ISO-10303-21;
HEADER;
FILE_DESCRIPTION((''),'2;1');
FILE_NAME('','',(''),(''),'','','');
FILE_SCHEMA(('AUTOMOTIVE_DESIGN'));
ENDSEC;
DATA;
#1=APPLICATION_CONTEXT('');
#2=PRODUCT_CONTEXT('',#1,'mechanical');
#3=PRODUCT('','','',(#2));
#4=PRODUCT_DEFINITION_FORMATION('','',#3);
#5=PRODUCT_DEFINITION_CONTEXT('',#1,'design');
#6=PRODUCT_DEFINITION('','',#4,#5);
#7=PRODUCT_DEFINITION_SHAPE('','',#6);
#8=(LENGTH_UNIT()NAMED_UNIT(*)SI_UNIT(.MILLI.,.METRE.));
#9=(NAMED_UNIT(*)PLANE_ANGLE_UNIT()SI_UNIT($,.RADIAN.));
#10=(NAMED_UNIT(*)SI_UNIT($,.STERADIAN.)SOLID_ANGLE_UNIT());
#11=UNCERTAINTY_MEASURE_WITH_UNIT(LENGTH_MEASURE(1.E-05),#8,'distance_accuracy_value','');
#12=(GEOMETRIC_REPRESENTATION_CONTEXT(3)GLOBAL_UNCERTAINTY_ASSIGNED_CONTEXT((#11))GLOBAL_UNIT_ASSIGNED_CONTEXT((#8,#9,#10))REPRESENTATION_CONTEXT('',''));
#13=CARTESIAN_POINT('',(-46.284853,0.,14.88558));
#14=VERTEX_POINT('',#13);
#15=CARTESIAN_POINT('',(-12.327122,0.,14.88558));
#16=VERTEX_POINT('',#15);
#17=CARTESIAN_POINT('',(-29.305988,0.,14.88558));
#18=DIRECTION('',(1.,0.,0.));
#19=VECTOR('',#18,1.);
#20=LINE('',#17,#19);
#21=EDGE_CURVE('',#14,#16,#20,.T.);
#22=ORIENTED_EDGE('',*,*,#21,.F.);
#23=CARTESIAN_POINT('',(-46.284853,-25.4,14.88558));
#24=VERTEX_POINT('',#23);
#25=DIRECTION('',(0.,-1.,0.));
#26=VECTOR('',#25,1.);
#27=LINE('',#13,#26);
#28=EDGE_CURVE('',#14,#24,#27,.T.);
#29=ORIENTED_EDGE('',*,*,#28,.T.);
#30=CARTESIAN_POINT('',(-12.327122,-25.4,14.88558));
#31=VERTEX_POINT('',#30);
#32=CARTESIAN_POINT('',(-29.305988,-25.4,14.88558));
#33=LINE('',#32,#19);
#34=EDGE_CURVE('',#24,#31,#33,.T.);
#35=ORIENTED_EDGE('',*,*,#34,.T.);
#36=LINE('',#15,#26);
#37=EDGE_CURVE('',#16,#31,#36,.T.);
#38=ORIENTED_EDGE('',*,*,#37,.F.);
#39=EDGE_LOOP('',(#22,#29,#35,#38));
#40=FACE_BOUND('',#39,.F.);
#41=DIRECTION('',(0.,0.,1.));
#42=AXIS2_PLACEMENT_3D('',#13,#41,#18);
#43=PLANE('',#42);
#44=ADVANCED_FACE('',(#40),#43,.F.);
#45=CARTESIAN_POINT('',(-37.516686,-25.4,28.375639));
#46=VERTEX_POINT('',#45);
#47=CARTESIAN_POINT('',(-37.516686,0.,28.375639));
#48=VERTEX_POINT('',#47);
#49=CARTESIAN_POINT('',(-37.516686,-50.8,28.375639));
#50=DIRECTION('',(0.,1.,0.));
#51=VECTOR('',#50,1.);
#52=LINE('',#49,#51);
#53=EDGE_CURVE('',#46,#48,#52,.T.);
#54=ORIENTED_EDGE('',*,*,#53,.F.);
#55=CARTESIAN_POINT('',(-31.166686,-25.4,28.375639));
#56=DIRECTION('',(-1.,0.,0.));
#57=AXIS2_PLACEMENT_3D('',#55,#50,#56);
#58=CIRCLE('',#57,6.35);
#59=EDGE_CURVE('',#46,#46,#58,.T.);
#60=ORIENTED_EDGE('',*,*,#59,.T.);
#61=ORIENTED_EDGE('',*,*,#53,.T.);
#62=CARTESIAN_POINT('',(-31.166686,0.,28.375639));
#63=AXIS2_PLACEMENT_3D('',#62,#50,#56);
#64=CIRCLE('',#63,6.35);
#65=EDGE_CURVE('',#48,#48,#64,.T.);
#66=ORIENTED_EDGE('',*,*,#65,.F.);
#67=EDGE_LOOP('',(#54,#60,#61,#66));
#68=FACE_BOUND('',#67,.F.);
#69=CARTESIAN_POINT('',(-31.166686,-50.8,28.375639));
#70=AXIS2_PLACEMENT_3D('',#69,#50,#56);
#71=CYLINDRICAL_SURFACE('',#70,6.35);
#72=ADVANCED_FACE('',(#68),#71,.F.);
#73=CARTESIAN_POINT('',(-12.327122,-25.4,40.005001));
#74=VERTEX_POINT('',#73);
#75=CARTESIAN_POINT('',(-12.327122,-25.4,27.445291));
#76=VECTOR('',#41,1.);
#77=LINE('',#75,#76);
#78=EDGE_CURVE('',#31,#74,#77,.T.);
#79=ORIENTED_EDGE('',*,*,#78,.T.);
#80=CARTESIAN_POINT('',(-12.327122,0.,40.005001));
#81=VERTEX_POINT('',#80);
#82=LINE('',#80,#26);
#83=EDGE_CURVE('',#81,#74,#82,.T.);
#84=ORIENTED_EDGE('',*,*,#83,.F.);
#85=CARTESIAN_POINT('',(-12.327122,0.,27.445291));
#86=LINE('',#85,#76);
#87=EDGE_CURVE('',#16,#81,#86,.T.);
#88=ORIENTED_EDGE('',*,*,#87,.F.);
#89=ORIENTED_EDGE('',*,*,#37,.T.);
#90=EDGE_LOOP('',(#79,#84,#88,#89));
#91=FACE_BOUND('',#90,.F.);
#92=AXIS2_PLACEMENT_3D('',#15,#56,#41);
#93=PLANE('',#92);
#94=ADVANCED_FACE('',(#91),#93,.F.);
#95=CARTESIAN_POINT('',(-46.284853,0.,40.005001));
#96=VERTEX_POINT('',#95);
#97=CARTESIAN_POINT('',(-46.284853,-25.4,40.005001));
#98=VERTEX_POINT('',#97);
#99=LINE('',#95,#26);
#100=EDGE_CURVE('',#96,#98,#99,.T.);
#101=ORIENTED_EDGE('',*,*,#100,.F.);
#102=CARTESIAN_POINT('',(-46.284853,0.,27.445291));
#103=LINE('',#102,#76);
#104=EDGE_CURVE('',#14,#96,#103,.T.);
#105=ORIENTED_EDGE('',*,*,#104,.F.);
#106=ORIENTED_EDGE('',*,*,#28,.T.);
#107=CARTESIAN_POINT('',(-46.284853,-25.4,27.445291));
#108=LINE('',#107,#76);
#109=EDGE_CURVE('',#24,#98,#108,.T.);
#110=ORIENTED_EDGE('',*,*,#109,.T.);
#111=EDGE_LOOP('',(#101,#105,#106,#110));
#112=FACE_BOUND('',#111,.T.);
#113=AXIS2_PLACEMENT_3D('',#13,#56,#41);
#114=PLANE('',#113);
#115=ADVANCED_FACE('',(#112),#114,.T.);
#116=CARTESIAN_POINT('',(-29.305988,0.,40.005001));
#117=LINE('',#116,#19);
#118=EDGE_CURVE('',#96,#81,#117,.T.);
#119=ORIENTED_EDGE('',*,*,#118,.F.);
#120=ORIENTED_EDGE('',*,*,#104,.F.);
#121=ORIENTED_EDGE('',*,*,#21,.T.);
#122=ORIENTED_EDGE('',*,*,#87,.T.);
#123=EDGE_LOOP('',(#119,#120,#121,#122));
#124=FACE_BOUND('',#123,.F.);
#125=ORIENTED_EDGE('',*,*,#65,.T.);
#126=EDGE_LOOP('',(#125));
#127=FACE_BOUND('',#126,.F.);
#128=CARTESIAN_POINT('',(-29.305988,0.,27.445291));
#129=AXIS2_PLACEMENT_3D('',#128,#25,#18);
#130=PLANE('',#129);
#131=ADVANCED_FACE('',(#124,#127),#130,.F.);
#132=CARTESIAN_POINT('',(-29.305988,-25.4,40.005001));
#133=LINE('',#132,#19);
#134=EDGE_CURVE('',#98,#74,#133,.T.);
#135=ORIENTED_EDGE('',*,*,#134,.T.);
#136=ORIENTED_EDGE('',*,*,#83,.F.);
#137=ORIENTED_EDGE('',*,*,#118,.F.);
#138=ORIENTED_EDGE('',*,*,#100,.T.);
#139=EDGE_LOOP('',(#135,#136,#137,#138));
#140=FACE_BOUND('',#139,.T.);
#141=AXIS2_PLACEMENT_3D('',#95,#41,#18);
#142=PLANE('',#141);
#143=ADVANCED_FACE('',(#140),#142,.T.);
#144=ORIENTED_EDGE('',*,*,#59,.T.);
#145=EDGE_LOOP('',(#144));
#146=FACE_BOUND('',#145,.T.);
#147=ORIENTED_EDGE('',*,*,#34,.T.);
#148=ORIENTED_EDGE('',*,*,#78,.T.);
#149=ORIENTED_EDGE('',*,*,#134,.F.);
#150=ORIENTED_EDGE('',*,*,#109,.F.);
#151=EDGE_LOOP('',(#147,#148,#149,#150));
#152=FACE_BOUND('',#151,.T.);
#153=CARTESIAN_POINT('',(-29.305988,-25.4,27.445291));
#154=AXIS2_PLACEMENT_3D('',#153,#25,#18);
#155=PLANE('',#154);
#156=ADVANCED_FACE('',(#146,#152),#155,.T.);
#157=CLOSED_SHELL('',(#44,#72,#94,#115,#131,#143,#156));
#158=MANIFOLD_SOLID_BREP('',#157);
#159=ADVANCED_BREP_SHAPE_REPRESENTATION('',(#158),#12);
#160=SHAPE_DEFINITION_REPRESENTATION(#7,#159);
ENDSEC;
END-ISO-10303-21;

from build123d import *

# Parameters (mm, degrees)
F0_W     = 33.957731
F0_H     = 25.119421
F1_DEPTH = 25.4
F3_D     = 12.7
F3_DEPTH = 25.4


with BuildPart() as f1:
    # F0 (on Front) → F1 (new body)
    with BuildSketch(Plane.XZ):
        with Locations((-29.305988, 27.445291)):
            Rectangle(F0_W, F0_H)
    extrude(amount=F1_DEPTH)

    # F3
    with Locations(Plane.XZ.offset(25.4)):
        with Locations((-31.166686, 28.375639)):
            Hole(F3_D / 2, depth=F3_DEPTH)


solid = f1.part
